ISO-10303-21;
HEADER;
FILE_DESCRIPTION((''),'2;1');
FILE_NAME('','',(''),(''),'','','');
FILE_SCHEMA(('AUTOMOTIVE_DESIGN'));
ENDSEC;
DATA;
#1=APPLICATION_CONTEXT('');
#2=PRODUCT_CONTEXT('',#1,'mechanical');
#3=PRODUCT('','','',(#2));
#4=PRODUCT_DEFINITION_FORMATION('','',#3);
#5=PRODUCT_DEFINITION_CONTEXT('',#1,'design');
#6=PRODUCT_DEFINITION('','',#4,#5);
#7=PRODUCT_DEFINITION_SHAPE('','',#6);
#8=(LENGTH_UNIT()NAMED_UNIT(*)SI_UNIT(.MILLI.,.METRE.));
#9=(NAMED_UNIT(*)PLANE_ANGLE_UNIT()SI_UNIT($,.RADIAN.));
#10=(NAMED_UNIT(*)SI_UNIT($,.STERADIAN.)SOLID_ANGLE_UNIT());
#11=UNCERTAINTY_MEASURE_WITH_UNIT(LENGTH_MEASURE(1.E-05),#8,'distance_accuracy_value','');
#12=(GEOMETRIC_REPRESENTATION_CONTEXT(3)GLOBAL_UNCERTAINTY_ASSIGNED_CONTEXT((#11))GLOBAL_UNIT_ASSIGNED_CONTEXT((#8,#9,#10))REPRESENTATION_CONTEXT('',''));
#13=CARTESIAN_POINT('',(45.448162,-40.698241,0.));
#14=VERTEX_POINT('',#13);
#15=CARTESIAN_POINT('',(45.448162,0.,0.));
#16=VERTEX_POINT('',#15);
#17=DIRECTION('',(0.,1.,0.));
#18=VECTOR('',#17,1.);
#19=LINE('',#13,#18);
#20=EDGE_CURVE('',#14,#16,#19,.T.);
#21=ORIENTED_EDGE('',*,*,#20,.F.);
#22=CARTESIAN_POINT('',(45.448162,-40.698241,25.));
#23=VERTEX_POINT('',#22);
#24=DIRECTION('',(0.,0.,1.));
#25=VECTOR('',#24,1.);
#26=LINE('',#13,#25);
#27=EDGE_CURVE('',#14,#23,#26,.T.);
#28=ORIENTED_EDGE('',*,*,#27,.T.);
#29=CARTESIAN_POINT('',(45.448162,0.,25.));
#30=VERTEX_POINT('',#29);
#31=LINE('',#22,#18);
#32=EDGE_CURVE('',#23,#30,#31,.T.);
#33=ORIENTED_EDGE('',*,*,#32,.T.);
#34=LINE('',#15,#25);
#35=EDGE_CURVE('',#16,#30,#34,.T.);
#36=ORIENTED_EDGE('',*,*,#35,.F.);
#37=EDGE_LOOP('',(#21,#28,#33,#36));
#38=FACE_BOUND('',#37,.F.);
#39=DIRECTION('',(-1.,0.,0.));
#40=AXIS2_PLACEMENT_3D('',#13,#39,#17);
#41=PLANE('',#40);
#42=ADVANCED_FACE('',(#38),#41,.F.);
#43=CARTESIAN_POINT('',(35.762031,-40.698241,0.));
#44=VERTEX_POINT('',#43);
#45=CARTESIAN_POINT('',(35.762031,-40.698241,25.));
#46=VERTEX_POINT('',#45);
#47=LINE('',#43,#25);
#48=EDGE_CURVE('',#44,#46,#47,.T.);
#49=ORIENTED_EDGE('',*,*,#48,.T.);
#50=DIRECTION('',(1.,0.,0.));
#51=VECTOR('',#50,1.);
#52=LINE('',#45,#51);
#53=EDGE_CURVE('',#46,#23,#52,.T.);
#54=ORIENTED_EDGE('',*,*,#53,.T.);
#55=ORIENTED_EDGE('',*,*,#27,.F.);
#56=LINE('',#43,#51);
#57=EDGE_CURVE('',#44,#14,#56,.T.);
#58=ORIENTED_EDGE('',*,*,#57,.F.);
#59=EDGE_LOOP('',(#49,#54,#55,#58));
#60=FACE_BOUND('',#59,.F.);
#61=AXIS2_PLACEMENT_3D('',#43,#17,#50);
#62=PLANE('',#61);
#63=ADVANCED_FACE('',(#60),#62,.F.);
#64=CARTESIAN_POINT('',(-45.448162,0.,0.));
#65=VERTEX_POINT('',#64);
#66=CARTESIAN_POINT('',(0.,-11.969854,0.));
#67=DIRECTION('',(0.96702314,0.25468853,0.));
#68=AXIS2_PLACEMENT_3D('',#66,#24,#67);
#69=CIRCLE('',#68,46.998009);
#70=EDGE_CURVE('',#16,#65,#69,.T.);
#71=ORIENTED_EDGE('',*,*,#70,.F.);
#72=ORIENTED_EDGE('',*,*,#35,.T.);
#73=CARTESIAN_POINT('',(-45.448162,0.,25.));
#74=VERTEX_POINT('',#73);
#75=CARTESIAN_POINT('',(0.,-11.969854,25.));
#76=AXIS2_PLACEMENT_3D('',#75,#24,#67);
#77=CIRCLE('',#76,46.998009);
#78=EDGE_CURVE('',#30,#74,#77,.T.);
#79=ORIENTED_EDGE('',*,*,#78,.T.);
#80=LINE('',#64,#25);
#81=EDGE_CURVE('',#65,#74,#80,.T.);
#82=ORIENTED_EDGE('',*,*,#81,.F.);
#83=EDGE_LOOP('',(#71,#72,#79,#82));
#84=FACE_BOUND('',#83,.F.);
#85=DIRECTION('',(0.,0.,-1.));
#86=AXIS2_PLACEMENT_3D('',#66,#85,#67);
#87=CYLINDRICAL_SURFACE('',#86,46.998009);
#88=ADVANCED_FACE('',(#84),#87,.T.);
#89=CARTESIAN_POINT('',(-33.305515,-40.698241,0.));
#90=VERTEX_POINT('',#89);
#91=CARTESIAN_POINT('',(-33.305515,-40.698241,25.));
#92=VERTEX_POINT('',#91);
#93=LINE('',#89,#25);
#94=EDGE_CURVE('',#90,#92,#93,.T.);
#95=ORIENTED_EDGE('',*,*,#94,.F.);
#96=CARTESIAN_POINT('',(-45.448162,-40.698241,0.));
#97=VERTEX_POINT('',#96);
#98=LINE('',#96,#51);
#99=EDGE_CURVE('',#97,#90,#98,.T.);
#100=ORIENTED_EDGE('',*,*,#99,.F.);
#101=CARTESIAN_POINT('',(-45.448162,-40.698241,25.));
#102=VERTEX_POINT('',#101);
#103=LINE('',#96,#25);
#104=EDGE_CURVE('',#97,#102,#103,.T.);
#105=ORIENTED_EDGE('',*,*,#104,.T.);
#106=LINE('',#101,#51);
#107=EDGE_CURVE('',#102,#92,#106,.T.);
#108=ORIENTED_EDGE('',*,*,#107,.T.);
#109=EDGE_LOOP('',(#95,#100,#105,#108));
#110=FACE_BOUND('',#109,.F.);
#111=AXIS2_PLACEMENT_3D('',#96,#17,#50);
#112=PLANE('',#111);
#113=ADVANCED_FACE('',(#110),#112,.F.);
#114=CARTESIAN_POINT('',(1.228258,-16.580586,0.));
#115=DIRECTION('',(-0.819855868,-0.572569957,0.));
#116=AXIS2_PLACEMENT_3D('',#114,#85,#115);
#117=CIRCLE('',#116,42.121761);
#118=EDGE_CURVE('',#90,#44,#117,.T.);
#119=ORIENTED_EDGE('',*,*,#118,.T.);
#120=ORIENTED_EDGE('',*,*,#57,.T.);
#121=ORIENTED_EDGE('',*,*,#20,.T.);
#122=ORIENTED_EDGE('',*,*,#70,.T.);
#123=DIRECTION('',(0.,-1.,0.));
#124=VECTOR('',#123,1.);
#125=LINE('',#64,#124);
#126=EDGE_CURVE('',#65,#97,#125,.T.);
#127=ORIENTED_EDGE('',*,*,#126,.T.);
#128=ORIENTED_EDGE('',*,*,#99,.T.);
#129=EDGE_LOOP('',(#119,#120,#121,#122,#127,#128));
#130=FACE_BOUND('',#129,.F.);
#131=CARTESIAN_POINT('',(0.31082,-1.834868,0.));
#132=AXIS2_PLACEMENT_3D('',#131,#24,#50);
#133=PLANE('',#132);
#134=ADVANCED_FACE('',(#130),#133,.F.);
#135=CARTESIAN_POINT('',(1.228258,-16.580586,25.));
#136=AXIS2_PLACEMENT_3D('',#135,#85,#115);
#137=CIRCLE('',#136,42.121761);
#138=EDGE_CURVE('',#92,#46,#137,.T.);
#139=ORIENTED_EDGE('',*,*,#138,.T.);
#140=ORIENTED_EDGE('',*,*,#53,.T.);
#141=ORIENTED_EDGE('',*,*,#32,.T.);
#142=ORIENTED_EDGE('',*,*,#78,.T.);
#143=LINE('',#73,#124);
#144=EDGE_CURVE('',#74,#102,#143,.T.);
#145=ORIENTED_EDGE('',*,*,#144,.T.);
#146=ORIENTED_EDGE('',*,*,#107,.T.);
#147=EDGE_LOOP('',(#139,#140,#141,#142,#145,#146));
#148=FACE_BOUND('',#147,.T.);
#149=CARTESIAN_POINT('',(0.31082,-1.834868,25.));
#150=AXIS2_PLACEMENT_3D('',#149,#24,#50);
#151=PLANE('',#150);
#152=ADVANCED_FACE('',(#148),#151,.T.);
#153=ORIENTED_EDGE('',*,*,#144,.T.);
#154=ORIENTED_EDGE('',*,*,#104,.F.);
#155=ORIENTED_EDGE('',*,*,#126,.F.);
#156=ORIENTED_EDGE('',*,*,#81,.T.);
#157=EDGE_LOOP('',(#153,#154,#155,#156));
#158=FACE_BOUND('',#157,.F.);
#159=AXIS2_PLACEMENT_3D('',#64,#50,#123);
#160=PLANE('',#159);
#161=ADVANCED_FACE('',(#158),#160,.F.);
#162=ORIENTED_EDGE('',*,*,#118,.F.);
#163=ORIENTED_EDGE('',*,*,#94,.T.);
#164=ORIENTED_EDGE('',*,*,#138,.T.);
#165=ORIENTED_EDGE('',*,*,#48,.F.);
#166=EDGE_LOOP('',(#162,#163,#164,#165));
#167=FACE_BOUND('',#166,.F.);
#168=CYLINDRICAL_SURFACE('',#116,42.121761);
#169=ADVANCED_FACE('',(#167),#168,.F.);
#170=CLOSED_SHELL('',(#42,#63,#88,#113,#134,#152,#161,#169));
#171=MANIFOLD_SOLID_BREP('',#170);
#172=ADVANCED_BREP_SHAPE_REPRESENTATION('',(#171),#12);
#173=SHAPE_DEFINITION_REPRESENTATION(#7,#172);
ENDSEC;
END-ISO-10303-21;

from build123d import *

# Parameters (mm, degrees)
F1_DEPTH = 25


with BuildPart() as f1:
    # F0 (on Top) → F1 (new body)
    with BuildSketch(Plane.XY):
        with BuildLine():
            Line((35.762031, -40.698241), (45.448162, -40.698241))
            Line((45.448162, -40.698241), (45.448162, 0))
            ThreePointArc((45.448162, 0), (0, 35.028155), (-45.448162, 0))
            Line((-45.448162, 0), (-45.448162, -40.698241))
            Line((-45.448162, -40.698241), (-33.305515, -40.698241))
            ThreePointArc((-33.305515, -40.698241), (1.228258, 25.541175), (35.762031, -40.698241))
        make_face()
    extrude(amount=F1_DEPTH)


solid = f1.part
